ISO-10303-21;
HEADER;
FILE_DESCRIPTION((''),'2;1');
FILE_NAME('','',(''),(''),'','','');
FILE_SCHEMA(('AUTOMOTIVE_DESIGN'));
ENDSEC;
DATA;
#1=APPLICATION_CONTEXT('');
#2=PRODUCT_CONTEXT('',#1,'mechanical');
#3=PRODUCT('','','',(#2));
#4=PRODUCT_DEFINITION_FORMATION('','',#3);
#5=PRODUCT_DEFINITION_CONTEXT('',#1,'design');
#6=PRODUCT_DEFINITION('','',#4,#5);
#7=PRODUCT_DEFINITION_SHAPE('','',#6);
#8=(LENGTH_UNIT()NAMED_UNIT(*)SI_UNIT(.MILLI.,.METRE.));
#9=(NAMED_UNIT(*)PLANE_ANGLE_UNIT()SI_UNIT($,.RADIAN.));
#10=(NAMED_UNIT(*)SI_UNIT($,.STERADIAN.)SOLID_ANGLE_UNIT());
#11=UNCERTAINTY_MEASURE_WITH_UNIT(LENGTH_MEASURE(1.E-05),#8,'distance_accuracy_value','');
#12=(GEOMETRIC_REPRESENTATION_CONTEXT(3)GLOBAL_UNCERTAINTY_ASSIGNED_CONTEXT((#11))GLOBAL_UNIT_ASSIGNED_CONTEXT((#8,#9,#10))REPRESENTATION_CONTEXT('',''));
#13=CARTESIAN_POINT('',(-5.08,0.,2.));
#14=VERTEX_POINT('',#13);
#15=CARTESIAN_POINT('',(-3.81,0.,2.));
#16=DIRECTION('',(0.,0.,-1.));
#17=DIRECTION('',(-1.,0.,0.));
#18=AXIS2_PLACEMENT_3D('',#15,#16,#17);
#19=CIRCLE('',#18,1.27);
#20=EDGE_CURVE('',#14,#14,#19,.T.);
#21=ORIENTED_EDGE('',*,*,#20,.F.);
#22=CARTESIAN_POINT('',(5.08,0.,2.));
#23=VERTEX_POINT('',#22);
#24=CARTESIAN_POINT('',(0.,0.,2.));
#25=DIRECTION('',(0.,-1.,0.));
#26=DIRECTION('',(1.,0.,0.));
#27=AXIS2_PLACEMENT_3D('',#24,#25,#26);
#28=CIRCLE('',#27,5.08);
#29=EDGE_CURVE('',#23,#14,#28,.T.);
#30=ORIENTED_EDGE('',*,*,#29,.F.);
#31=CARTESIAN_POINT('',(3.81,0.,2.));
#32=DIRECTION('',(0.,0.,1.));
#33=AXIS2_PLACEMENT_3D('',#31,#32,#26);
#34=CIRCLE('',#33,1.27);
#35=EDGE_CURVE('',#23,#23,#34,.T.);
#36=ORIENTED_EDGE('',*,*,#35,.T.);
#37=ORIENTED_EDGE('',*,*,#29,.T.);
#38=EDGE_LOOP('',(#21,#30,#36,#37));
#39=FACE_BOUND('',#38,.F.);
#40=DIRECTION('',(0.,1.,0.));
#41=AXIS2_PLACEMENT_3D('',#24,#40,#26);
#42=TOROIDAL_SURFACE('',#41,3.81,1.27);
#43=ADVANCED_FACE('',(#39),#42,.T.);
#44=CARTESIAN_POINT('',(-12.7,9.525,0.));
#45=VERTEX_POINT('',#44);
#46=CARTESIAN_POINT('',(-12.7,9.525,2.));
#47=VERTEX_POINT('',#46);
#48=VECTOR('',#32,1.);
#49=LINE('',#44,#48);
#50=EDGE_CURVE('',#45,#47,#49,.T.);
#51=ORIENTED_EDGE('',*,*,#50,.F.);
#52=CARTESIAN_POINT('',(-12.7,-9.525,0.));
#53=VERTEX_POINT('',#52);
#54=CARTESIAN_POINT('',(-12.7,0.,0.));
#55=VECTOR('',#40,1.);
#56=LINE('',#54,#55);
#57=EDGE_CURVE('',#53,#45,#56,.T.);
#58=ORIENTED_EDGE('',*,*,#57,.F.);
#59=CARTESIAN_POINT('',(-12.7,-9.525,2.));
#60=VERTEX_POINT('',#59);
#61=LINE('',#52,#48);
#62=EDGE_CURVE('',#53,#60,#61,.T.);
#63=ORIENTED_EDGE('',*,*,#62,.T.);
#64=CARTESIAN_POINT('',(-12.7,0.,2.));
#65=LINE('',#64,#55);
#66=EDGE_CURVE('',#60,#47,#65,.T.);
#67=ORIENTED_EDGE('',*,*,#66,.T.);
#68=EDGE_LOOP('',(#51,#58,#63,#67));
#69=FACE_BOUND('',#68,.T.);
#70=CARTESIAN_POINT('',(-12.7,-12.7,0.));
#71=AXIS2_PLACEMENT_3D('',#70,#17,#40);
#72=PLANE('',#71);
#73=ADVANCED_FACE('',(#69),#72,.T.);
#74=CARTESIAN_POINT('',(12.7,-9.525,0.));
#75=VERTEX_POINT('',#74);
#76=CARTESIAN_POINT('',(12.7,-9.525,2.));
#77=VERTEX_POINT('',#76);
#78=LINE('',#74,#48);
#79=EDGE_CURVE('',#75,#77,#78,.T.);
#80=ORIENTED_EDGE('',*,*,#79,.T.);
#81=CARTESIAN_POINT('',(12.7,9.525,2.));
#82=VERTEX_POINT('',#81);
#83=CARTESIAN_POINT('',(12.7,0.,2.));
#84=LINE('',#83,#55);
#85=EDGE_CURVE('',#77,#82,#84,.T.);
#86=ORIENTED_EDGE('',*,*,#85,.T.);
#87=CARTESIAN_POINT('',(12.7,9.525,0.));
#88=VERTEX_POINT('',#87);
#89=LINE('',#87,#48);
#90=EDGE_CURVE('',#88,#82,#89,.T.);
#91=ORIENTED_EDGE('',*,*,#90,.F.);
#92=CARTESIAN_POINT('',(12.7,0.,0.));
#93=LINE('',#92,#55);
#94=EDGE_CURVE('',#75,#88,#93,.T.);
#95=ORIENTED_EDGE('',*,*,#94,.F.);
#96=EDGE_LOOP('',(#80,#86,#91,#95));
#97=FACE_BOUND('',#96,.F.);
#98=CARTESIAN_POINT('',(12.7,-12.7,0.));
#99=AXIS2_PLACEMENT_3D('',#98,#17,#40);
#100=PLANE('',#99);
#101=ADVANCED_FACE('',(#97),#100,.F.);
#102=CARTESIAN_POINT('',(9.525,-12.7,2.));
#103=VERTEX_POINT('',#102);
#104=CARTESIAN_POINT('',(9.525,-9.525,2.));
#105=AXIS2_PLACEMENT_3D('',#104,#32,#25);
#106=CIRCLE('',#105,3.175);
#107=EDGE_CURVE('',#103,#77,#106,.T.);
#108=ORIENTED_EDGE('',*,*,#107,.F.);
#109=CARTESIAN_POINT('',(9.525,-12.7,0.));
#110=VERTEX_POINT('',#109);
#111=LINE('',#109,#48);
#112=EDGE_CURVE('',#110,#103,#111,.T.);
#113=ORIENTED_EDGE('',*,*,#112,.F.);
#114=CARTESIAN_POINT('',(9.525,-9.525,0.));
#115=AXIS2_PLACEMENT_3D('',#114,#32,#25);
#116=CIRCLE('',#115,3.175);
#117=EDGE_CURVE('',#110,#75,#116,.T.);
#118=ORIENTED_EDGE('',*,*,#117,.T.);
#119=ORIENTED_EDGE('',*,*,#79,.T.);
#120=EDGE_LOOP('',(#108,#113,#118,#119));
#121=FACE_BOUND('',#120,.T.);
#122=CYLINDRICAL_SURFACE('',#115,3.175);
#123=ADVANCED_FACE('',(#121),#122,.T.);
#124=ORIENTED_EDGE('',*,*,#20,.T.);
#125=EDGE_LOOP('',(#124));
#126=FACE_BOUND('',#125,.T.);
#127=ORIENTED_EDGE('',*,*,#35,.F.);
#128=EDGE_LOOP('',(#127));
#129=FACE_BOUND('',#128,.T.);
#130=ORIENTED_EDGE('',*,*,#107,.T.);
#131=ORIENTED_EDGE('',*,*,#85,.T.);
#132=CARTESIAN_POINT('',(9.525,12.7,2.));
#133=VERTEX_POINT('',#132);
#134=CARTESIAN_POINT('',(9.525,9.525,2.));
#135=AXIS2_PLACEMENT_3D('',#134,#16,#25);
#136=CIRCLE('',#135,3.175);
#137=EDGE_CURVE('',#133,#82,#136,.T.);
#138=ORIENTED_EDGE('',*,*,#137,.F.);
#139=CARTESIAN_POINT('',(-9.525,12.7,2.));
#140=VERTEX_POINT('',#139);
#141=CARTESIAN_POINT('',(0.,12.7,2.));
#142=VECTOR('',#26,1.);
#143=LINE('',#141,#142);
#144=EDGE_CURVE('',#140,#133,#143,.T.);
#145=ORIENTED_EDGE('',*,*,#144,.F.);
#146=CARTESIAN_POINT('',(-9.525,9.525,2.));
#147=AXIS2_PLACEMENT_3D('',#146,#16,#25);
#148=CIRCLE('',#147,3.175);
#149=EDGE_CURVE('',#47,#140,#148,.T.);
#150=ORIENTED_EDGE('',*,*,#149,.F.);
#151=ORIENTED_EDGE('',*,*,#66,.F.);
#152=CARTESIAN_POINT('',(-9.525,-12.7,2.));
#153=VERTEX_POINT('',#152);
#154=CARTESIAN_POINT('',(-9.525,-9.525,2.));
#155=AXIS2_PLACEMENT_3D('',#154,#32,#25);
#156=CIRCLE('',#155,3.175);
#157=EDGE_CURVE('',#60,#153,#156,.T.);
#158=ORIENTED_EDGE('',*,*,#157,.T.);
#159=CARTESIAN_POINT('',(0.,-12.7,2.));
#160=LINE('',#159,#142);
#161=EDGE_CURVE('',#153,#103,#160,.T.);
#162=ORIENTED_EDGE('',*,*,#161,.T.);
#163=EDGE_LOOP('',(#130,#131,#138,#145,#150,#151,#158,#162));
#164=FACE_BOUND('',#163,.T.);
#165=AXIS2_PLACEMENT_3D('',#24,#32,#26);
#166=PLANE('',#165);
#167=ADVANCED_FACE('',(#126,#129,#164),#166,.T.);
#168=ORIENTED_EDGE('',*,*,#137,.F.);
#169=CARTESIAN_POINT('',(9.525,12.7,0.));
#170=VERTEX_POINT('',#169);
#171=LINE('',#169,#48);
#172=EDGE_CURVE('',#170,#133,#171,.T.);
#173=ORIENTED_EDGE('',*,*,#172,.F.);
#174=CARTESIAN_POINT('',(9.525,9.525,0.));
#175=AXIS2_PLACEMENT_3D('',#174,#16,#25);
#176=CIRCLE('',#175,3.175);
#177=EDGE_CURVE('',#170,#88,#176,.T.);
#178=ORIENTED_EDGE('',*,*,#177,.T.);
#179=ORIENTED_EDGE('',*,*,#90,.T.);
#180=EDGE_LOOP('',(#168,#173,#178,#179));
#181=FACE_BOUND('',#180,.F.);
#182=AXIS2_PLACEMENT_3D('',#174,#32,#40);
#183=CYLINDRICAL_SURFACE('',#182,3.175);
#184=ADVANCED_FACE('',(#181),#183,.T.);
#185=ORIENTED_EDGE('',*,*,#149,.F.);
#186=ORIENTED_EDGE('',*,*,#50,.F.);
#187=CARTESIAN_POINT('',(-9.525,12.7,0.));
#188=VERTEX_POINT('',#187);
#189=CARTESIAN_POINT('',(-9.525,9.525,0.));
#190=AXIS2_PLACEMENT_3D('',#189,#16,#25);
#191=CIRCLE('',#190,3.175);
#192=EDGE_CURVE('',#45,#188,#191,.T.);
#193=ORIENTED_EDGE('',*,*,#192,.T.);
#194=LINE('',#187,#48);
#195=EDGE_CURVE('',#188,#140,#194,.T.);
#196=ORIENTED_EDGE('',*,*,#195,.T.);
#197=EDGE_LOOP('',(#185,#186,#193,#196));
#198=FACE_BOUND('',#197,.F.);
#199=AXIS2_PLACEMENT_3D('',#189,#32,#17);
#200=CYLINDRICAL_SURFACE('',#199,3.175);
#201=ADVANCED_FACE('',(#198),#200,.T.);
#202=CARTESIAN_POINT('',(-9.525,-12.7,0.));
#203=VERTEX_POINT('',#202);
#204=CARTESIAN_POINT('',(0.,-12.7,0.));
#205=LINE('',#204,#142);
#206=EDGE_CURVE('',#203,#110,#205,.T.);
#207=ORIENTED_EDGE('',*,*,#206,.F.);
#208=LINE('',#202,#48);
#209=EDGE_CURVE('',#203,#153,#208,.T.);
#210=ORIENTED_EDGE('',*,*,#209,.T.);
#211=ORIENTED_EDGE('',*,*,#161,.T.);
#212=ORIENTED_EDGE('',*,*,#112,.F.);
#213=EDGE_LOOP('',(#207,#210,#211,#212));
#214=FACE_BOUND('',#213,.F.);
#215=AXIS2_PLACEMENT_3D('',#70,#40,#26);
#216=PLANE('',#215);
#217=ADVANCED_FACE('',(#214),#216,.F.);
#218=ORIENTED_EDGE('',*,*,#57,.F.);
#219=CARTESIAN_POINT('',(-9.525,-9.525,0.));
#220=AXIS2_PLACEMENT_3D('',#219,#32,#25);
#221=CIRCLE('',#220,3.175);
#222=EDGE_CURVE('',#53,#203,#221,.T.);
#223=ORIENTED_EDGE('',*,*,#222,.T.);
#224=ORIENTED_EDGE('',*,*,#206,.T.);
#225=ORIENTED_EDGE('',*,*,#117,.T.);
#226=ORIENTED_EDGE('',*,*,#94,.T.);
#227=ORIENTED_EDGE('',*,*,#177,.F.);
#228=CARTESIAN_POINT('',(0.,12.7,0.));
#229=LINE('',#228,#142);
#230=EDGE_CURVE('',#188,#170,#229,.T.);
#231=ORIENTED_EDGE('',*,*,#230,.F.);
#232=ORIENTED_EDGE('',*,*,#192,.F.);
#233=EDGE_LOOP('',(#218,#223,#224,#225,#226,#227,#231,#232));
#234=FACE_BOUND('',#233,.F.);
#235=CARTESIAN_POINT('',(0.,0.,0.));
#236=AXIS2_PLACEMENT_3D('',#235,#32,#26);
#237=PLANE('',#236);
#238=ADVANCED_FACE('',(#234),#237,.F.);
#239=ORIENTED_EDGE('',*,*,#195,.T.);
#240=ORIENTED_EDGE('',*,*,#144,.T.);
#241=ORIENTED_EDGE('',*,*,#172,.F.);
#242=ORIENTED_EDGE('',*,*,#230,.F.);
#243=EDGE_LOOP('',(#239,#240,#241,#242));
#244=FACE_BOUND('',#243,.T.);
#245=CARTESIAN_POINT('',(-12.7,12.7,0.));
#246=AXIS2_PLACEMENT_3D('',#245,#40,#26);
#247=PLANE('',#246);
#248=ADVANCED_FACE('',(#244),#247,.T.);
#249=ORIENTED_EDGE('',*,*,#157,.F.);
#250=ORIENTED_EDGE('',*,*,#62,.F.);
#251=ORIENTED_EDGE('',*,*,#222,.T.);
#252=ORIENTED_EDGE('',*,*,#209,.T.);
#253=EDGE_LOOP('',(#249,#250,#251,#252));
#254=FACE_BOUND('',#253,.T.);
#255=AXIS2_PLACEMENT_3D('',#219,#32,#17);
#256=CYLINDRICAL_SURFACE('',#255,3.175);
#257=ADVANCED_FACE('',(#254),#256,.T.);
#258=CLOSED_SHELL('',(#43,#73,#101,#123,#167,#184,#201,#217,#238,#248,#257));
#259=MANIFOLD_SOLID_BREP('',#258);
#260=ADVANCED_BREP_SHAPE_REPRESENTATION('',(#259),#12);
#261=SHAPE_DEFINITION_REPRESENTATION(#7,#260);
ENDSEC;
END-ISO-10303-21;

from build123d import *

# Parameters (mm, degrees)
F0_W     = 25.4
F0_H     = 25.4
F1_DEPTH = 2
F2_R     = 1.27
F3_ANGLE = 180
F4_R     = 3.175


with BuildPart() as f1:
    # F0 (on Top) → F1 (new body)
    with BuildSketch(Plane.XY):
        Rectangle(F0_W, F0_H)
    extrude(amount=F1_DEPTH)

    # F2 (on face) → F3 (revolve)
    with BuildSketch(Plane.XY.offset(2)):
        with Locations((3.81, 0)):
            Circle(F2_R)
    revolve(axis=Axis((0, 0, 2), (0, -1, 0)), revolution_arc=F3_ANGLE)

    # F4
    f4_edges = [f1.edges().sort_by_distance(p)[0] for p in [
        (12.7, -12.7, 1),
        (-12.7, -12.7, 1),
        (-12.7, 12.7, 1),
        (12.7, 12.7, 1),
    ]]
    fillet(f4_edges, radius=F4_R)


solid = f1.part
